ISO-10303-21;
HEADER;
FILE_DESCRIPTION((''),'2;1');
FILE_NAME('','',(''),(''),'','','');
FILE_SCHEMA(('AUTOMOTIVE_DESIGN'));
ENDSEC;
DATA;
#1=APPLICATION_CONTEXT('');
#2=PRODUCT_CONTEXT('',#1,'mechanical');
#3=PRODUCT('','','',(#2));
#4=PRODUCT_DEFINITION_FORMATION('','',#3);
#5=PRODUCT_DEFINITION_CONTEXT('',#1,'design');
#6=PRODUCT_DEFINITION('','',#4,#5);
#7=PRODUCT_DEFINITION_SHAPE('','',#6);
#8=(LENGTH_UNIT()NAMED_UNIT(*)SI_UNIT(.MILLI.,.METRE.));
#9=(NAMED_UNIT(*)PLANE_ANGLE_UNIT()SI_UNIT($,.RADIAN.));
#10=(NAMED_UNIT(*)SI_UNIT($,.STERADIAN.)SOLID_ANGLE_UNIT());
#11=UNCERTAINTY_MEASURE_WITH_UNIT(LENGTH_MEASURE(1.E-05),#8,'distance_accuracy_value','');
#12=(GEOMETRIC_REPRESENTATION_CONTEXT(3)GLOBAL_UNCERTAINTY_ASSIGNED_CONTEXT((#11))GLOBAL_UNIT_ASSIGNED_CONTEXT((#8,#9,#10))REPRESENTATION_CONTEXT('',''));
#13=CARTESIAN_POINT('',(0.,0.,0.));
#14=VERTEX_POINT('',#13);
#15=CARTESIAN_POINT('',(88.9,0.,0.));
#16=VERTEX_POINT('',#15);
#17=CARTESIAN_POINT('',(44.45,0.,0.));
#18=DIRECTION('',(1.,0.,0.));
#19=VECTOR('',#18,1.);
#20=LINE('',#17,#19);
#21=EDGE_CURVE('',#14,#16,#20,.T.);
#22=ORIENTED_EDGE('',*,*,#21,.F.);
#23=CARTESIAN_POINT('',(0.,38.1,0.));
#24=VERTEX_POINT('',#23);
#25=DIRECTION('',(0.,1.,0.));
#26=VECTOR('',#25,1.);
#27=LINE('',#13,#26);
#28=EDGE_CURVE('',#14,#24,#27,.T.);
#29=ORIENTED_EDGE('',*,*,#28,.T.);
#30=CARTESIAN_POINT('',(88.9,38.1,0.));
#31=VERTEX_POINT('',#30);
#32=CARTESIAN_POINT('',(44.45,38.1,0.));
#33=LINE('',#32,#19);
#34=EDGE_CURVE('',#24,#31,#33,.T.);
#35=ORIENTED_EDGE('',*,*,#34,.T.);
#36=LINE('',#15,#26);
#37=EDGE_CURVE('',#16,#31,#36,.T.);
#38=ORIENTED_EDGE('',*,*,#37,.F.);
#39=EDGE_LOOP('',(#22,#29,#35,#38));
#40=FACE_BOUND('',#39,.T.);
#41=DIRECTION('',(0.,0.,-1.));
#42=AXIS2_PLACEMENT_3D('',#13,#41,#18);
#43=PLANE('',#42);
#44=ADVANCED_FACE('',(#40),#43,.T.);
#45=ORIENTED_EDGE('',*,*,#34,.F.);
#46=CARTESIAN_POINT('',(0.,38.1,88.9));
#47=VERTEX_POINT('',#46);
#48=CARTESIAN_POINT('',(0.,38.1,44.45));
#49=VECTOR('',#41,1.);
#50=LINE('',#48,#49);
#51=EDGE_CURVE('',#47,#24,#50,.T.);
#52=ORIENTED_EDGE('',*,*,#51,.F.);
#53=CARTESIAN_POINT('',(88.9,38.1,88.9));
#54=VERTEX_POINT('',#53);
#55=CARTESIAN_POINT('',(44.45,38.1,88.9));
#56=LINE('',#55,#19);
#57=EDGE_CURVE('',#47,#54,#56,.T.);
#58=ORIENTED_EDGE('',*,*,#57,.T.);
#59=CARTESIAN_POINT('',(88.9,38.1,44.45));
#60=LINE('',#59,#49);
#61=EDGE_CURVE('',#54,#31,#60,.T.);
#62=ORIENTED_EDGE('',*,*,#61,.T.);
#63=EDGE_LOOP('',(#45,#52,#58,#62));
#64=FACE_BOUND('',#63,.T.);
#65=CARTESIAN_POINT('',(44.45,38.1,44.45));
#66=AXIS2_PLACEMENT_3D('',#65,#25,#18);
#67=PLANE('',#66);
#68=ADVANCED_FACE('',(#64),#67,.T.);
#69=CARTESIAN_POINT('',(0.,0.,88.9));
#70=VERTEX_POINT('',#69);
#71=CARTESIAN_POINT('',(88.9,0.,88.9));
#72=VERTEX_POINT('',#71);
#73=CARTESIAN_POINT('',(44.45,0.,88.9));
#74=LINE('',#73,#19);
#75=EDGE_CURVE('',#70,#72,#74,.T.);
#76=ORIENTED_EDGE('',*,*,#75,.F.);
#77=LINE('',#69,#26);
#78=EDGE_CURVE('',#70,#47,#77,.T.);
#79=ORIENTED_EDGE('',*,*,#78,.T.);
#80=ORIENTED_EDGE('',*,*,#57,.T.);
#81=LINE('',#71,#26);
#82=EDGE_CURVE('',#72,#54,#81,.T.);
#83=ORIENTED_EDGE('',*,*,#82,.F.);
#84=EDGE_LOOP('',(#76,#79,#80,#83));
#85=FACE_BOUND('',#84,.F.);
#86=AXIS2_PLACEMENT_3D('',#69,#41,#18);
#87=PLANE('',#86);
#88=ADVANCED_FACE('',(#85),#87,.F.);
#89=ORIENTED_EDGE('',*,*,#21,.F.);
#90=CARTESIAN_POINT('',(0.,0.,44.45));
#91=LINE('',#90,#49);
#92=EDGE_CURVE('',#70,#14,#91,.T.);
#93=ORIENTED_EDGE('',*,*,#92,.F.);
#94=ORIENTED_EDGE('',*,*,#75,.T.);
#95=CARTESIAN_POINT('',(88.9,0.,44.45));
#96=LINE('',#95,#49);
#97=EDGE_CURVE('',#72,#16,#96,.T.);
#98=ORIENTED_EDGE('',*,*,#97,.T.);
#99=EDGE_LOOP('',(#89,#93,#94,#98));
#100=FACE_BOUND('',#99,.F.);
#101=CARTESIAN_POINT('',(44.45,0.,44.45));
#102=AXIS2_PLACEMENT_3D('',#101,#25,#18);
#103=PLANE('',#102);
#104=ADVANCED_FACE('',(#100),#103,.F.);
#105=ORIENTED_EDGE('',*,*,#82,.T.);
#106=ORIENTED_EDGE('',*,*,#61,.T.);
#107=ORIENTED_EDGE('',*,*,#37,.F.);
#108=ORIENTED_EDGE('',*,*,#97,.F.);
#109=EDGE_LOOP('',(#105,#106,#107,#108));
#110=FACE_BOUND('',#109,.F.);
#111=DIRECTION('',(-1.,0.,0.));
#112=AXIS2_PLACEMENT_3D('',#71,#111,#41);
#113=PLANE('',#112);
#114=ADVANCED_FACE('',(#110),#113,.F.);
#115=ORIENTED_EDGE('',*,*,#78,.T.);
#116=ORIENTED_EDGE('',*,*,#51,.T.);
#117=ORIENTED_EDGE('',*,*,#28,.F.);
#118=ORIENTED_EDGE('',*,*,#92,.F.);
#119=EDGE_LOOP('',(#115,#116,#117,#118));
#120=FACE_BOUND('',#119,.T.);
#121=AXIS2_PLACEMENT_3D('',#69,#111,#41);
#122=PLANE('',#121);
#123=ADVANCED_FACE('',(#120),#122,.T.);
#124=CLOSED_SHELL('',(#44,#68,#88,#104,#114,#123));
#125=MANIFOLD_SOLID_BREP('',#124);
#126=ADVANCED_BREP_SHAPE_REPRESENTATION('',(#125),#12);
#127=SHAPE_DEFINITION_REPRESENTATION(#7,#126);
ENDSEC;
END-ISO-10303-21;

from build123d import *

# Parameters (mm, degrees)
SKETCH1_W           = 88.9
SKETCH1_H           = 88.9
BOSS_EXTRUDE1_DEPTH = 38.1


with BuildPart() as part:
    # Sketch1 → Boss-Extrude1 (new body)
    with BuildSketch(Plane(origin=(0, 0, 0), x_dir=(1, 0, 0), z_dir=(0, 1, 0))):
        with Locations((44.45, -44.45)):
            Rectangle(SKETCH1_W, SKETCH1_H)
    extrude(amount=BOSS_EXTRUDE1_DEPTH)


solid = part.part
